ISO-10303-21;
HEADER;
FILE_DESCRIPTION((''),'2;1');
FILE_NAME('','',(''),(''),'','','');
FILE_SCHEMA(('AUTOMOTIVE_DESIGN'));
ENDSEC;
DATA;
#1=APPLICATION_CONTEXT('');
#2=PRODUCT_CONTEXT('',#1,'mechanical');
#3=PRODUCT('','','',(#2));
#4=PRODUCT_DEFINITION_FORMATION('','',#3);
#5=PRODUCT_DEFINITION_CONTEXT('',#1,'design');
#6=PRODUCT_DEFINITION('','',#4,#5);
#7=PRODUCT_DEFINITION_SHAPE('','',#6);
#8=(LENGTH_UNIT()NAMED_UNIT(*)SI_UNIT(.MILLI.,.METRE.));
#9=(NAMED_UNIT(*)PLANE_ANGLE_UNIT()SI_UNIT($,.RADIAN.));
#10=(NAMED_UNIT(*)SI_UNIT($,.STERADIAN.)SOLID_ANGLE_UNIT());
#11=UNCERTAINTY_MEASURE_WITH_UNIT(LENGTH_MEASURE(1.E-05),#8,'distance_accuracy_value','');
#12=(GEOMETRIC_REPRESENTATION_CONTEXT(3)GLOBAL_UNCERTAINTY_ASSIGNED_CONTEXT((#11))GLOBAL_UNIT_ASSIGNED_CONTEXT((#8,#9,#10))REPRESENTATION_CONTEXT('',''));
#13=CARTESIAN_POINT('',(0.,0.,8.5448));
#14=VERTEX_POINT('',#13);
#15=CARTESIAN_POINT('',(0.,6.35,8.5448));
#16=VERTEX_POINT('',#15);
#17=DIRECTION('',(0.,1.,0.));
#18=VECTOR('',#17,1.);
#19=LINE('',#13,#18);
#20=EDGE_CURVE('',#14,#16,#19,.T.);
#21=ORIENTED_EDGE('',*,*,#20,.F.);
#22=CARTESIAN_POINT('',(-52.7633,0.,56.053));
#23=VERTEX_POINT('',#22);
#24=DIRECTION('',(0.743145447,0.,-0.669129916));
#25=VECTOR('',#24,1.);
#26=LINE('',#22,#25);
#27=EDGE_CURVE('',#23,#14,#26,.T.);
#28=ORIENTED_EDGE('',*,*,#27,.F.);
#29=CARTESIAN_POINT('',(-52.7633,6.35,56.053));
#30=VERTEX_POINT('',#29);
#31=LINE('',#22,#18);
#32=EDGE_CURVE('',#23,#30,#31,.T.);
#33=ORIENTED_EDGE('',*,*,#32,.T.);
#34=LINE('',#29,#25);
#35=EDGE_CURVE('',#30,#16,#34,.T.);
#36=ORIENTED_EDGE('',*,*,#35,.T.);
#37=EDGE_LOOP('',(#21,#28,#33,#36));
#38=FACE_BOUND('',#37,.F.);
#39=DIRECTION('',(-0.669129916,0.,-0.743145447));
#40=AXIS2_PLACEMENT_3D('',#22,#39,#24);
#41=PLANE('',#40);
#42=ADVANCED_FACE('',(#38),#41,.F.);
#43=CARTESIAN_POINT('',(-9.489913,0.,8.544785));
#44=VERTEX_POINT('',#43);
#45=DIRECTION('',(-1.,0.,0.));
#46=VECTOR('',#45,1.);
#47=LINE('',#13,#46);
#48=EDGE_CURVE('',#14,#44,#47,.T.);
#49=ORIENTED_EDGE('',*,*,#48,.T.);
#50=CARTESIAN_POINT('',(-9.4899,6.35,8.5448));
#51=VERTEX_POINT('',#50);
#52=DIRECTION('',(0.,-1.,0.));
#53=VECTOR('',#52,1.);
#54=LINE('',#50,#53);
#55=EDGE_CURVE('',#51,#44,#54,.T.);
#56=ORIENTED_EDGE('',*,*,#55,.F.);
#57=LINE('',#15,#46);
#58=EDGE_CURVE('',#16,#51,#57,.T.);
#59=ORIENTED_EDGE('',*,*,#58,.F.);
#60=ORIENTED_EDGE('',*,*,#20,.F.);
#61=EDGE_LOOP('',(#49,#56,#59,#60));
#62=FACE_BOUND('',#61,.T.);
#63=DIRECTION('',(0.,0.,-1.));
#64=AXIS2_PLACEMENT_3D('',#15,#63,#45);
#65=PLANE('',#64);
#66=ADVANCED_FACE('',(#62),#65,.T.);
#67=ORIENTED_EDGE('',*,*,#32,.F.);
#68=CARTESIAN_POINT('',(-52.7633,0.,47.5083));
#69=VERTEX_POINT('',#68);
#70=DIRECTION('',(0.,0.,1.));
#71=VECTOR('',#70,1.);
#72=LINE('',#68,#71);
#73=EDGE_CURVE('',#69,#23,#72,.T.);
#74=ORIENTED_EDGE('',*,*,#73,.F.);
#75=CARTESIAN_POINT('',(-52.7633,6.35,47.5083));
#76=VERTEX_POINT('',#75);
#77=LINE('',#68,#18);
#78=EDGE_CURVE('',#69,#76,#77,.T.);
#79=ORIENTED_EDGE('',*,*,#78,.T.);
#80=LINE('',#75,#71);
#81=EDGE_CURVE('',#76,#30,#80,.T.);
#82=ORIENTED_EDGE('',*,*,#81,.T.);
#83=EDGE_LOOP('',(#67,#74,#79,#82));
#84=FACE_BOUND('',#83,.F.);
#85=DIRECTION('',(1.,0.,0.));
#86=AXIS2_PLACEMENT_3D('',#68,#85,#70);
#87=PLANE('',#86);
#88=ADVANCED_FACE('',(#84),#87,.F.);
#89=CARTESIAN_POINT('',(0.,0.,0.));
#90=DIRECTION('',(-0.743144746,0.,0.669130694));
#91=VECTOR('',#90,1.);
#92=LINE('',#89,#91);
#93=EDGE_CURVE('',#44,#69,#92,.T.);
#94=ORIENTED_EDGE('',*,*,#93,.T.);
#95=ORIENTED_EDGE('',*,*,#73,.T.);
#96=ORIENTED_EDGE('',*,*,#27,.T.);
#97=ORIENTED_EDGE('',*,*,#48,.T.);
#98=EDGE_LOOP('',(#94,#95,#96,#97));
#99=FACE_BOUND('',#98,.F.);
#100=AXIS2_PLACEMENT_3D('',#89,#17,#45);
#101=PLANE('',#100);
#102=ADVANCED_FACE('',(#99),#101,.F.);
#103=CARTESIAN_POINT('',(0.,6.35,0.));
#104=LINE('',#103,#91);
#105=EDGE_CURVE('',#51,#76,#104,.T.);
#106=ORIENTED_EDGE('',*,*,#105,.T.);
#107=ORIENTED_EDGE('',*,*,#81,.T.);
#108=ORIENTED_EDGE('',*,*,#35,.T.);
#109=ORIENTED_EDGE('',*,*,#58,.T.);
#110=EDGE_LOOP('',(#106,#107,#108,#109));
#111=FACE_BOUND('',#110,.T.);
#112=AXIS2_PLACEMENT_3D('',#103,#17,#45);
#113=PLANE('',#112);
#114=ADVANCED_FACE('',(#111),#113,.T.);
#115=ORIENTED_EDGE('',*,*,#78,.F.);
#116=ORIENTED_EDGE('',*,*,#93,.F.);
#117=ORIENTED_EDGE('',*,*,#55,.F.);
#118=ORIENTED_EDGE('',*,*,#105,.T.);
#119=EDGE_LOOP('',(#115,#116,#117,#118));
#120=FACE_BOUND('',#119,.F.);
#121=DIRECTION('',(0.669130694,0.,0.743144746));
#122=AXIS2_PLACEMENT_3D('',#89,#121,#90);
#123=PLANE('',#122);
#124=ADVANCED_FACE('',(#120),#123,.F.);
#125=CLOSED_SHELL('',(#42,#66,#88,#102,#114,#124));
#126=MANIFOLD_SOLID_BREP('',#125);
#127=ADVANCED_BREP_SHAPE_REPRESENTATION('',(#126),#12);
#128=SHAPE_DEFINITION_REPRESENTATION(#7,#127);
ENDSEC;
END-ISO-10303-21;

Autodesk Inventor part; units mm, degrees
ref_plane "YZ Plane" through (0, 0, 0) normal (1, 0, 0) x (0, 1, 0)
ref_plane "XZ Plane" through (0, 0, 0) normal (0, 1, 0) x (-1, 0, 0)
ref_plane "XY Plane" through (0, 0, 0) normal (0, 0, 1) x (1, 0, 0)
sketch "Sketch1" plane through (0, 0, 0) normal (0, 1, 0) x (-1, 0, 0)
  line L0 (0, 0) -> (52.7633, 47.5083)
  line L1 (0, 0) -> (71, 0) construction
  line L2 (52.7633, 47.5083) -> (52.7633, 56.053)
  line L3 (52.7633, 56.053) -> (0, 8.5448)
  line L4 (0, 8.5448) -> (0, 0)
  dimension "d0" = 71
  dimension "d1" = 42
extrude "Extrusion1" add sketch "Sketch1" along normal blind 6.35
sketch "Sketch2" plane through (0, 6.35, 0) normal (0, 1, 0) x (1, 0, 0)
  line L0 (-52.7633, -56.053) -> (0, -8.5448) projected
  line L1 (0, -8.5448) -> (-9.4899, -8.5448)
  line L2 (0, 0) -> (-52.7633, -47.5083) projected
  line L3 (0, -8.5448) -> (0, 0) projected
  line L4 (0, -8.5448) -> (0, 0)
  line L5 (0, 0) -> (-9.4899, -8.5448)
extrude "Extrusion2" cut sketch "Sketch2" against normal blind 10
properties part number "InnerDiagonalSupport"
